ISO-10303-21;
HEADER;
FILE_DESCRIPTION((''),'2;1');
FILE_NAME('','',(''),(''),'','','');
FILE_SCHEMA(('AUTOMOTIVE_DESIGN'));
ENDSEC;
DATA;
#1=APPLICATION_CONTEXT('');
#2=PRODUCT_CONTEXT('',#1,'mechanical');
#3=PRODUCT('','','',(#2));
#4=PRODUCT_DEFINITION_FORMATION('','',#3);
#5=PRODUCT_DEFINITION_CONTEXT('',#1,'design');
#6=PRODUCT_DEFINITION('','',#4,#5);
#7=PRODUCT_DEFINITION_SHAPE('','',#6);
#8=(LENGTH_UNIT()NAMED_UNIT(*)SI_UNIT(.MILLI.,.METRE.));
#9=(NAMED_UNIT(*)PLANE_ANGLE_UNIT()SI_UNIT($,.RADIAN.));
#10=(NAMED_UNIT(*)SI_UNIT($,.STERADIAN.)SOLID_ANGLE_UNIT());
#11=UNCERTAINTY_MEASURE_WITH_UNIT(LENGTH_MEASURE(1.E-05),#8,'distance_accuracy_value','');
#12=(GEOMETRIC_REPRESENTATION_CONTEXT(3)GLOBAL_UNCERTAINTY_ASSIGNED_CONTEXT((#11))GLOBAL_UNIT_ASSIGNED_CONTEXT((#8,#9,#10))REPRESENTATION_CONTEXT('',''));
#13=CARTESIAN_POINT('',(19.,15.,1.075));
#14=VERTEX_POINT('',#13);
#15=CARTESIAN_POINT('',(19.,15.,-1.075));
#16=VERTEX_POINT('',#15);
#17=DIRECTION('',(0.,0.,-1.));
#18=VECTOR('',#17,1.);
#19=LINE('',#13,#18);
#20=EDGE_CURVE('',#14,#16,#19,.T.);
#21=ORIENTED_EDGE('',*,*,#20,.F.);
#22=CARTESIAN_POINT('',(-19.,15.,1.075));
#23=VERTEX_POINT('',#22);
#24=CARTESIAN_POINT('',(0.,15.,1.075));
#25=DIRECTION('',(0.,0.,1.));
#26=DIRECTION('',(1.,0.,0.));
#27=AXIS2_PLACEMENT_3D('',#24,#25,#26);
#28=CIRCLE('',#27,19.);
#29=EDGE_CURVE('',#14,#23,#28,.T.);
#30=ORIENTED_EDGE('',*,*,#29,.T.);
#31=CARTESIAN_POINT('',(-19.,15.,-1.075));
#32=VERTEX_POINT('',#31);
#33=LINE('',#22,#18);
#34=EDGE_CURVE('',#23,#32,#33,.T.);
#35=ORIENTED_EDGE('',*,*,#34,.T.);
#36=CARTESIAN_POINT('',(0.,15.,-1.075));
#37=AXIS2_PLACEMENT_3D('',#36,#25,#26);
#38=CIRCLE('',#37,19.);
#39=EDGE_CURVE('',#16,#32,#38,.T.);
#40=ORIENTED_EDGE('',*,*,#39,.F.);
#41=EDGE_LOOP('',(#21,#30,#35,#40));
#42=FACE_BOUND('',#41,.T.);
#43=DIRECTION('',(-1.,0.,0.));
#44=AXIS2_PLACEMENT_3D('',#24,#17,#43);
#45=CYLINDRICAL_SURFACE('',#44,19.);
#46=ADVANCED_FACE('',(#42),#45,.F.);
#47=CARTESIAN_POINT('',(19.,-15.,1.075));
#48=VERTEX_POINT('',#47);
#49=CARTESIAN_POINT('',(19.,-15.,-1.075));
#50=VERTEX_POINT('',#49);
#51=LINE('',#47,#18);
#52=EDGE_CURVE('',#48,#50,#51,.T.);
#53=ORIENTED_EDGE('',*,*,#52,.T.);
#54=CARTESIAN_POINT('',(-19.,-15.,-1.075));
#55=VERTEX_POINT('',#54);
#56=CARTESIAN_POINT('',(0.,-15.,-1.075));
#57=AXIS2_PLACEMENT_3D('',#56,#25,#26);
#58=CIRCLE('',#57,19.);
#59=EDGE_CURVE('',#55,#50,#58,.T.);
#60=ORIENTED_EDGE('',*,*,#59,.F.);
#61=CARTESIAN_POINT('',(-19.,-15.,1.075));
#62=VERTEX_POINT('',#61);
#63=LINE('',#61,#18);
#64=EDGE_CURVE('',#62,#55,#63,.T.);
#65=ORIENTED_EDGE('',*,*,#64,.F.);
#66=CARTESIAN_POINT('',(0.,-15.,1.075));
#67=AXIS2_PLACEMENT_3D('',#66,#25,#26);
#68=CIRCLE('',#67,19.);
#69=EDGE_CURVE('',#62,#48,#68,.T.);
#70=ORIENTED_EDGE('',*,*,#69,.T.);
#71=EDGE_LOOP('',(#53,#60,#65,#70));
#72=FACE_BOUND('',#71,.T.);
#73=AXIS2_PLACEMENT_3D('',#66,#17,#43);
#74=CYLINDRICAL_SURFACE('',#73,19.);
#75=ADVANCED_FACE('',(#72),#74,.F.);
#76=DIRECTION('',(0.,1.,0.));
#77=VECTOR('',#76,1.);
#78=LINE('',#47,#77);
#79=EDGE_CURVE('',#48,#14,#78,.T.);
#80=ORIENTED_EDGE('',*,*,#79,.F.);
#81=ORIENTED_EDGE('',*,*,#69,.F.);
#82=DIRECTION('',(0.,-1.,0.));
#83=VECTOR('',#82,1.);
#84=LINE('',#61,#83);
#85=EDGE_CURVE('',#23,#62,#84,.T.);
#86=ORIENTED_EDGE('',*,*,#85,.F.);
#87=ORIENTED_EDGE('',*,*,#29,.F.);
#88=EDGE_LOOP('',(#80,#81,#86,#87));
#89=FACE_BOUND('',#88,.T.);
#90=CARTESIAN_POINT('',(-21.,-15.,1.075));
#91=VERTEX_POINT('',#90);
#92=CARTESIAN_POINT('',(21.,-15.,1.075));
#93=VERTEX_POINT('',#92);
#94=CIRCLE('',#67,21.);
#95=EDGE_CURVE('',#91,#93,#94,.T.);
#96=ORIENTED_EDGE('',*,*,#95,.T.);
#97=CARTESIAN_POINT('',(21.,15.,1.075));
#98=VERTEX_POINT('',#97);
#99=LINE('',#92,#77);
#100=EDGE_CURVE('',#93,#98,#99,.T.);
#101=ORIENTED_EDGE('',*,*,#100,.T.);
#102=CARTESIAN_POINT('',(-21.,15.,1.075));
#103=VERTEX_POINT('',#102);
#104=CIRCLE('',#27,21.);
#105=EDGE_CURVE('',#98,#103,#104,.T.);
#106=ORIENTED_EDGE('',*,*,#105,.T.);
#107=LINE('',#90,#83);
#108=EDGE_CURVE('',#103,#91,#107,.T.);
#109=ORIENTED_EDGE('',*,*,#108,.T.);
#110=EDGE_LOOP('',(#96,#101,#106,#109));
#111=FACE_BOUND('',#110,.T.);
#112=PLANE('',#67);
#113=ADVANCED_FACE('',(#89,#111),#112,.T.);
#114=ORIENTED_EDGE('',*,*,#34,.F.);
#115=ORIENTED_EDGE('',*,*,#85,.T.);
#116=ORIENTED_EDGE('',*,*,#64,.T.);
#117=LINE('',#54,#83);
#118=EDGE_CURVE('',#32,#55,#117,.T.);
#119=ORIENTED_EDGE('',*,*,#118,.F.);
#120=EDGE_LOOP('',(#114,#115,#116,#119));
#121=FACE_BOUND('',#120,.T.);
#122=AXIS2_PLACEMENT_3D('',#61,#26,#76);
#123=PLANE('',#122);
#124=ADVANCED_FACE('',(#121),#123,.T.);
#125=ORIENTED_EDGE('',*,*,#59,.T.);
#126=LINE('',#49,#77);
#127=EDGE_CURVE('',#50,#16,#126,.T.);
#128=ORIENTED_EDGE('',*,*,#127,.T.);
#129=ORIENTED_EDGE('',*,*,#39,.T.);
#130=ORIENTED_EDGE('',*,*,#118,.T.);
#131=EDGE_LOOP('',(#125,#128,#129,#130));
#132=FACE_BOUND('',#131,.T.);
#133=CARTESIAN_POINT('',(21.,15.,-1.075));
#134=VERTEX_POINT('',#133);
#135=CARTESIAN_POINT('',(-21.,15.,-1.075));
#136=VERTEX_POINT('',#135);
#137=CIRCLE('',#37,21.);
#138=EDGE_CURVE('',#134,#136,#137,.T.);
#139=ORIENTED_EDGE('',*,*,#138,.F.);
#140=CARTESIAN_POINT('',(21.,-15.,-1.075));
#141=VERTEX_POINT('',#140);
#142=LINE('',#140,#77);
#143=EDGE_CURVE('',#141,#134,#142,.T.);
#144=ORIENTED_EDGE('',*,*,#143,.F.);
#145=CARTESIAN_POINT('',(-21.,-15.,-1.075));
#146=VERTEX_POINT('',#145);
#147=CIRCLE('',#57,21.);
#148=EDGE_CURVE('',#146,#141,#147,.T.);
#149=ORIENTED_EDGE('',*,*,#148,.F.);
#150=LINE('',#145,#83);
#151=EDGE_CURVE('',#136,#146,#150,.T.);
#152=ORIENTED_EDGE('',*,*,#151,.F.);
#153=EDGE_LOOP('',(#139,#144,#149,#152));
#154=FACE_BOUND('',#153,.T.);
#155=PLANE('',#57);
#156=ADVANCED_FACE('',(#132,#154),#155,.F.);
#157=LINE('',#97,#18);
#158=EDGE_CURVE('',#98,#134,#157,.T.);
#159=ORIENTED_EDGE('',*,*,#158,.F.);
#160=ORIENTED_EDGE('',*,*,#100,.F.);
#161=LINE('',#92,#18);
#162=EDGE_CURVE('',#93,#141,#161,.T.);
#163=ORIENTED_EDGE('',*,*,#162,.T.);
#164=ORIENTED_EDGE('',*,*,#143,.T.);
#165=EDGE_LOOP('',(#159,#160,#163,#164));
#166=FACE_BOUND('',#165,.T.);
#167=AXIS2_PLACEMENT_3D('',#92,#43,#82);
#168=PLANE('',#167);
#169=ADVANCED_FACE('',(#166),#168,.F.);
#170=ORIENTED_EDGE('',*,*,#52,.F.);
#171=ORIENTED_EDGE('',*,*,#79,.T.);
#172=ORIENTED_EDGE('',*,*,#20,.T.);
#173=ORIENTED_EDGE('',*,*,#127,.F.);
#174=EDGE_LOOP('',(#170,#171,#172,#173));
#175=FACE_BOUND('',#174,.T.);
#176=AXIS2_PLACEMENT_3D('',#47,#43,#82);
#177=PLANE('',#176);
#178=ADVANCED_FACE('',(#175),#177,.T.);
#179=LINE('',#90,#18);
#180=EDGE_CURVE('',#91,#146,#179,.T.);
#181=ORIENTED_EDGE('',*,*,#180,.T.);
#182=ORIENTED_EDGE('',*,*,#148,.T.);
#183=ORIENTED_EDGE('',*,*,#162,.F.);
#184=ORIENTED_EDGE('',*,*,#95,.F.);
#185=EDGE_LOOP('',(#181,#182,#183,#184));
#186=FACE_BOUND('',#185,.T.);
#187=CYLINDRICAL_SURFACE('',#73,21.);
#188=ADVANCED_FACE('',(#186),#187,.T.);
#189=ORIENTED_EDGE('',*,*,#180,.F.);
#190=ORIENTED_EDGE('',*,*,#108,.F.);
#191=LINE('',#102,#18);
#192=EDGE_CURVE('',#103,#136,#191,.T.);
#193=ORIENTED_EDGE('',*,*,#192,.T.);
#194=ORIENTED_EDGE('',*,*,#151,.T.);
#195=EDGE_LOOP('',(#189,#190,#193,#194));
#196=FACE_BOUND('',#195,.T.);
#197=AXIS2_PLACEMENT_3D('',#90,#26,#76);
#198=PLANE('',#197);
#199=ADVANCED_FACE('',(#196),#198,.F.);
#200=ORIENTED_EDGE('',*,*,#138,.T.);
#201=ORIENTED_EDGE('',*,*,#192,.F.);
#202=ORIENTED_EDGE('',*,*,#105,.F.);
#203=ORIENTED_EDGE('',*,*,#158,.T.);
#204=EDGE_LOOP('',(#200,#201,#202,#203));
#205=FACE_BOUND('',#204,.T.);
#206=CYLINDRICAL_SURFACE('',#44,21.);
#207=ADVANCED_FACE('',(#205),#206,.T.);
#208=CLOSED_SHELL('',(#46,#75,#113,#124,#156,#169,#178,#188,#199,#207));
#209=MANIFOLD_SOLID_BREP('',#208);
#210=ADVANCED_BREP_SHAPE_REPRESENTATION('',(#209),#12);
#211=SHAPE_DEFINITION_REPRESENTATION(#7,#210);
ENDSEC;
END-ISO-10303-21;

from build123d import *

# Parameters (mm, degrees)
EXTRUDE_THIN1_DEPTH = 1.075


with BuildPart() as part:
    # Sketch1 → Extrude-Thin1 (new body, symmetric)
    with BuildSketch(Plane.XY):
        with BuildLine():
            Line((21, 15), (21, -15))
            ThreePointArc((21, -15), (0, -36), (-21, -15))
            Line((-21, -15), (-21, 15))
            ThreePointArc((-21, 15), (0, 36), (21, 15))
        make_face()
        with BuildLine():
            Line((19, 15), (19, -15))
            ThreePointArc((19, -15), (0, -34), (-19, -15))
            Line((-19, -15), (-19, 15))
            ThreePointArc((-19, 15), (0, 34), (19, 15))
        make_face(mode=Mode.SUBTRACT)
    extrude(amount=EXTRUDE_THIN1_DEPTH, both=True)


solid = part.part
